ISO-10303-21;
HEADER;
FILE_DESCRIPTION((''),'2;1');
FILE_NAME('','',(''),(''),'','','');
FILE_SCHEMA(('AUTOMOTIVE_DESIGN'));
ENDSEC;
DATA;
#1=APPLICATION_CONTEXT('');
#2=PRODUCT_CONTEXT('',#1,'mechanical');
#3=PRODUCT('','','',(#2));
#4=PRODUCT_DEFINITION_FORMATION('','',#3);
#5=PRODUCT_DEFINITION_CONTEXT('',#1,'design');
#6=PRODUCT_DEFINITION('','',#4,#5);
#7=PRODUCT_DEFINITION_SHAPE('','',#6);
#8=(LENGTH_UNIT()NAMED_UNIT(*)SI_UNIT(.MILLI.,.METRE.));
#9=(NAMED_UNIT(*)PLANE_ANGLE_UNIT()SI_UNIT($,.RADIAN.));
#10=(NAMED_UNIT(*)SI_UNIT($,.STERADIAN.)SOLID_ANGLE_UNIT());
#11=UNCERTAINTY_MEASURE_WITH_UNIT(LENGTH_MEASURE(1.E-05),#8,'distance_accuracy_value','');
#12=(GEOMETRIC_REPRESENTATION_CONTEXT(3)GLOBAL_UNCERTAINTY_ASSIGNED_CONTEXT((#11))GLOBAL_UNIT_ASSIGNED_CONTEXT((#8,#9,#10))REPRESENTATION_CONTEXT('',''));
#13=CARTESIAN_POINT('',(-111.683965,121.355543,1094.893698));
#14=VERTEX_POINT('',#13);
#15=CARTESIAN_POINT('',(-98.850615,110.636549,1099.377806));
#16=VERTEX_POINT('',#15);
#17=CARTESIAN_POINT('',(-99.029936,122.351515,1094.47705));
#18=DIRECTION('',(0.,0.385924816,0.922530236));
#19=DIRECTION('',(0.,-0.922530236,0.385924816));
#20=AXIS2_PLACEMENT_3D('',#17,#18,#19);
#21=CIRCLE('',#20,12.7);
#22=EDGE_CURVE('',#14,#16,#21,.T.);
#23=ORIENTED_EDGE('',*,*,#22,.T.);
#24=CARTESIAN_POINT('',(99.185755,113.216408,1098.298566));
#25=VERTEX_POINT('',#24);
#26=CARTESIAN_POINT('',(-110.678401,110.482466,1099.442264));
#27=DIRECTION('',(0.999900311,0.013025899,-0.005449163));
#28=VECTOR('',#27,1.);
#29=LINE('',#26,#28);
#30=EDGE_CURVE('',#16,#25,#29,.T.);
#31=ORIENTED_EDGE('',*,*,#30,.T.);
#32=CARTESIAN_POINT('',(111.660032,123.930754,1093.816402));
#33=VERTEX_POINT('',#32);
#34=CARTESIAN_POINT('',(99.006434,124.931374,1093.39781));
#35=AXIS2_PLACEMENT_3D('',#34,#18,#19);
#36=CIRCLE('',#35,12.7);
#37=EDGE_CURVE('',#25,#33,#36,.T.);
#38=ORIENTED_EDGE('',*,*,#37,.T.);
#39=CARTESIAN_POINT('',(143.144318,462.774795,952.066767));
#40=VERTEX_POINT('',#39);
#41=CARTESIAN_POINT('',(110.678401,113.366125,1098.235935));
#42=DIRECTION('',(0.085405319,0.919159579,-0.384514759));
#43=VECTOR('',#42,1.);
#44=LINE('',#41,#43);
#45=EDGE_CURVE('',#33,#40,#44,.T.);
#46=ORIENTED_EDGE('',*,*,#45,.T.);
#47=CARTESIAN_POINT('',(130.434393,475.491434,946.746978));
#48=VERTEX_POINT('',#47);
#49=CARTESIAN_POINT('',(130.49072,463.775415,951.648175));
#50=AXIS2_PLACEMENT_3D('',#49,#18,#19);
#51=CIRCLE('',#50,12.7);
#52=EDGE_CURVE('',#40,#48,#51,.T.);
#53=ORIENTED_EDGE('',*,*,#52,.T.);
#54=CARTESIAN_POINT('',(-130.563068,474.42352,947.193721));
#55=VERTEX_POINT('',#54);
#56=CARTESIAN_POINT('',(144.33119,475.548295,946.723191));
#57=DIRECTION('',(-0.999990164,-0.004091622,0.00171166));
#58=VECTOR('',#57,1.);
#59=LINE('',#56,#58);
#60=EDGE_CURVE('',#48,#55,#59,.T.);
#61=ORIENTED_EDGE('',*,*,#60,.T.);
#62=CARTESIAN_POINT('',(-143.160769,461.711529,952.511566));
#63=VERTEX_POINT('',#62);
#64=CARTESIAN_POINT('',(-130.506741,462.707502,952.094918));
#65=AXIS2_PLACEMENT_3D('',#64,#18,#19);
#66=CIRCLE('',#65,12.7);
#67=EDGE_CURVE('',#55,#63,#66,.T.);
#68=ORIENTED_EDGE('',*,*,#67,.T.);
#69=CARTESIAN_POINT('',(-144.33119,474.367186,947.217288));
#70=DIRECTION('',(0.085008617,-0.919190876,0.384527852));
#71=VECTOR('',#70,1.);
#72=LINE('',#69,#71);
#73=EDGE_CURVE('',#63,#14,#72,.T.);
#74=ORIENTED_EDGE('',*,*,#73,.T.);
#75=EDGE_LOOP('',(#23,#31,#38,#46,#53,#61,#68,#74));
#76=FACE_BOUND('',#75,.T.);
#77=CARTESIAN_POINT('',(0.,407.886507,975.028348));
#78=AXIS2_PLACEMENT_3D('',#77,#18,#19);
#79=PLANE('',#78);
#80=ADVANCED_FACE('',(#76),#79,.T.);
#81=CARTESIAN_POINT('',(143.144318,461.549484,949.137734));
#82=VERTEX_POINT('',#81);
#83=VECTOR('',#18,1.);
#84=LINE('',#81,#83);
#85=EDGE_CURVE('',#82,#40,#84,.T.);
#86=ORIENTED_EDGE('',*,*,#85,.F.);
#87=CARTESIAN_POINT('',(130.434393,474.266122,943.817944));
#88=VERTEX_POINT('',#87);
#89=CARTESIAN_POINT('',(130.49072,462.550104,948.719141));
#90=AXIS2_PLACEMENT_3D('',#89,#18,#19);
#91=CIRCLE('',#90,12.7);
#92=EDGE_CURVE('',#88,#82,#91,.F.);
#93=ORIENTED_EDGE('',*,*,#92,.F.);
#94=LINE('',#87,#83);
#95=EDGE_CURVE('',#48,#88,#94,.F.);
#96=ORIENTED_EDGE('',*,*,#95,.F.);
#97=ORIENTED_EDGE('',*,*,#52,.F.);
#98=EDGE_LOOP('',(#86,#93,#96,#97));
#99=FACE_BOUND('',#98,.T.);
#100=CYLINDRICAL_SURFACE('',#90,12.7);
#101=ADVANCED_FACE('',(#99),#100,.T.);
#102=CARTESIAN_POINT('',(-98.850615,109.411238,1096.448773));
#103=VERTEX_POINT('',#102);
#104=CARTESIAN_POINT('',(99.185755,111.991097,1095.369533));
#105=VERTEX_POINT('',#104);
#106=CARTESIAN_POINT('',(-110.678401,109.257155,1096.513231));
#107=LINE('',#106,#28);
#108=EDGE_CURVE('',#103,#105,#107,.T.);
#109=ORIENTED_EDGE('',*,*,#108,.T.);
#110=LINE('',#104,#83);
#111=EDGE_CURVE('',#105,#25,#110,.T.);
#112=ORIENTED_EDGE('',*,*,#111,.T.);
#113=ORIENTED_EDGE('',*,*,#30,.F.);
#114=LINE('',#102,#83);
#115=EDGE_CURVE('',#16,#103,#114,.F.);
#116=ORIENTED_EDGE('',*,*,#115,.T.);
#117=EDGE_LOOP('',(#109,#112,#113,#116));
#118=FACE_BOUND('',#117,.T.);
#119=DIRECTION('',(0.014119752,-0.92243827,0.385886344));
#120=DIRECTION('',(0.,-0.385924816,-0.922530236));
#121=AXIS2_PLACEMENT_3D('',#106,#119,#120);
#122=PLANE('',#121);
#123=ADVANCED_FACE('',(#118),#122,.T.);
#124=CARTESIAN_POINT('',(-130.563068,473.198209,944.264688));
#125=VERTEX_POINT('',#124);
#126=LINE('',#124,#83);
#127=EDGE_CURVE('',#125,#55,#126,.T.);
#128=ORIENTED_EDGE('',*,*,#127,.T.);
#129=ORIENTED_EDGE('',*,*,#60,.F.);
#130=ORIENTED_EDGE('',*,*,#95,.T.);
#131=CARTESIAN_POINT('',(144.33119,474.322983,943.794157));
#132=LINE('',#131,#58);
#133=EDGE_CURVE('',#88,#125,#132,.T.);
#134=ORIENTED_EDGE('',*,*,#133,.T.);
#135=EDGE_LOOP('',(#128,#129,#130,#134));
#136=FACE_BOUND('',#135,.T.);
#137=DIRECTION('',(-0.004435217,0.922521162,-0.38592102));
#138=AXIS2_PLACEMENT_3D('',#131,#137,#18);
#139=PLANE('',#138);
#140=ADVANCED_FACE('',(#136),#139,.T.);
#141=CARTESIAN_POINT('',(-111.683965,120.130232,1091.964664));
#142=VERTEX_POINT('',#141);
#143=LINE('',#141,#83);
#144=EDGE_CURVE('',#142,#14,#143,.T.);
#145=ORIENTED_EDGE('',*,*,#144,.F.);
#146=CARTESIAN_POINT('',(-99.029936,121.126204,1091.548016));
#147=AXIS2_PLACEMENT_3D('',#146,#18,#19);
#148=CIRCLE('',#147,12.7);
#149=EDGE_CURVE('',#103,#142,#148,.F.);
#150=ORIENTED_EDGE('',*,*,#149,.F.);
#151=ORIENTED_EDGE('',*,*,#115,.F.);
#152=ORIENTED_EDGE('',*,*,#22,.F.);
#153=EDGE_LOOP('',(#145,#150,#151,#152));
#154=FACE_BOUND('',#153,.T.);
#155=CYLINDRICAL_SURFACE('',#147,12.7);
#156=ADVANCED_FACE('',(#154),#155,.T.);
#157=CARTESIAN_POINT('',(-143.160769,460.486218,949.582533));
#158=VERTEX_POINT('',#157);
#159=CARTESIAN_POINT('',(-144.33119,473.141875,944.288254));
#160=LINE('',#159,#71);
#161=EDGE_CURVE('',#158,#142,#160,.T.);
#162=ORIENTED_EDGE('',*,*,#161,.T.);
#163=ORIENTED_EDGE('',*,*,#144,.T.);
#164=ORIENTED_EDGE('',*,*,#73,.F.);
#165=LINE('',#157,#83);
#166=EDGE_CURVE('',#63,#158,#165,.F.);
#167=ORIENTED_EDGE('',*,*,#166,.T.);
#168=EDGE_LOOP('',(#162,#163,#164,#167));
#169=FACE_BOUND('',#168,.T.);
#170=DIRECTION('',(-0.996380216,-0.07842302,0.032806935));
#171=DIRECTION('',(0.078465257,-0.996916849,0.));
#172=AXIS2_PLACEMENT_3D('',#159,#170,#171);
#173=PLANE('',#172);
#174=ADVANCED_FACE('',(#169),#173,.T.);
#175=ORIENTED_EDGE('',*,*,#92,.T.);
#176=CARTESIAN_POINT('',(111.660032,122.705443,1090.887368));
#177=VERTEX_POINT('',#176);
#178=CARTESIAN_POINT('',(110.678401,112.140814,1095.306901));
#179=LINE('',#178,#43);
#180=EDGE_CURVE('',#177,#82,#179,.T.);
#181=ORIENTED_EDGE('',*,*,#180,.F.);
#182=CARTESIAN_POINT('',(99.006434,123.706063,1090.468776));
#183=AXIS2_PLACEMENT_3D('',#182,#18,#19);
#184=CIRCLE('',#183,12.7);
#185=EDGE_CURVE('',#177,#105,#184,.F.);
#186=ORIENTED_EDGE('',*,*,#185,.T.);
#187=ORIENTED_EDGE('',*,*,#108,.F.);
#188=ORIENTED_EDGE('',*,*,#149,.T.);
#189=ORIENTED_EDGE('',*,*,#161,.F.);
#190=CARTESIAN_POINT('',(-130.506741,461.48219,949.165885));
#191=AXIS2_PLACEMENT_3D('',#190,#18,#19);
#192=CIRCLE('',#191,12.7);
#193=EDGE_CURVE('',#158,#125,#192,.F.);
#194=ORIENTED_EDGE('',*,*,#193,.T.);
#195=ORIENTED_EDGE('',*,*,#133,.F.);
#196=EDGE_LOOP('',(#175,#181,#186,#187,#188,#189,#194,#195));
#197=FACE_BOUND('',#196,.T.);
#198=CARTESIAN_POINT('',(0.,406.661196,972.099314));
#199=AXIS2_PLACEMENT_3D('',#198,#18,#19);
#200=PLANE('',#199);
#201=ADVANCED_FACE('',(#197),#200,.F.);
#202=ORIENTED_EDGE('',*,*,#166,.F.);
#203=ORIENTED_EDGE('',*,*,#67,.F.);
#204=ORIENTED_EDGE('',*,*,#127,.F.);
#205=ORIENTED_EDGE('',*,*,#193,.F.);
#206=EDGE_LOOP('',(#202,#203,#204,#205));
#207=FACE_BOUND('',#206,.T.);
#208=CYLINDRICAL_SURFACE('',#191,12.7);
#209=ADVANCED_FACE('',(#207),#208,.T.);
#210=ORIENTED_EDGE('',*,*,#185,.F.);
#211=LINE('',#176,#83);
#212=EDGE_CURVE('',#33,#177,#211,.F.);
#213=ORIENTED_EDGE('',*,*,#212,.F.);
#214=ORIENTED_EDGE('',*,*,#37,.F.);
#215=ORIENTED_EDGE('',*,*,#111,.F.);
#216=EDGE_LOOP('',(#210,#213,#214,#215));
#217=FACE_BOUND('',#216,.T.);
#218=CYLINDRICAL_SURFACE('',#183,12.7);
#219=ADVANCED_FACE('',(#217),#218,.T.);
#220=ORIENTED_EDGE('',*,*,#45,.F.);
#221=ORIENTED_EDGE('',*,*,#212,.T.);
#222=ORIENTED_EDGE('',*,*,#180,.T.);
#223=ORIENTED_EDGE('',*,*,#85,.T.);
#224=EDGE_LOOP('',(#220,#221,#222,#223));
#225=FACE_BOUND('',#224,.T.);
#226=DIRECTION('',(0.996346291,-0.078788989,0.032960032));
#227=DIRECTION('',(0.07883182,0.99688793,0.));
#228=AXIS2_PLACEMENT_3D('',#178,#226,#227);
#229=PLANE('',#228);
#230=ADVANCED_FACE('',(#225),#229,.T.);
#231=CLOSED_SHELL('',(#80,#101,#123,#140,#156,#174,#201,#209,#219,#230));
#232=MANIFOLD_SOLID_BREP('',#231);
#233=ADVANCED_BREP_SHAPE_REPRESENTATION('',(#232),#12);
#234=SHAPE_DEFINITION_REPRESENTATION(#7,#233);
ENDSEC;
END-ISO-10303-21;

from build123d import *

# Parameters (mm, degrees)
BOSS_EXTRUDE1_DEPTH = 3.175
FILLET1_R           = 12.7


with BuildPart() as part:
    # Sketch1 → Boss-Extrude1 (new body)
    with BuildSketch(Plane(origin=(0, 407.886507076, 975.028347662), x_dir=(1, 0, 0), z_dir=(0, 0.38592481598359657, 0.922530236040005))):
        Polygon((144.331189968, 73.343707369), (-144.331189968, 72.063414553), (-110.678400742, -322.378637797), (110.678400742, -319.252822954), align=None)
    extrude(amount=-BOSS_EXTRUDE1_DEPTH)

    # Fillet1
    fillet1_edges = [part.edges().sort_by_distance(p)[0] for p in [
        (110.678400742, 112.753469314, 1096.771417863),
        (-110.678400742, 109.86981061, 1097.977747381),
        (-144.331189968, 473.754530268, 945.752770911),
        (144.331189968, 474.935639101, 945.258674142),
    ]]
    fillet(fillet1_edges, radius=FILLET1_R)


solid = part.part
